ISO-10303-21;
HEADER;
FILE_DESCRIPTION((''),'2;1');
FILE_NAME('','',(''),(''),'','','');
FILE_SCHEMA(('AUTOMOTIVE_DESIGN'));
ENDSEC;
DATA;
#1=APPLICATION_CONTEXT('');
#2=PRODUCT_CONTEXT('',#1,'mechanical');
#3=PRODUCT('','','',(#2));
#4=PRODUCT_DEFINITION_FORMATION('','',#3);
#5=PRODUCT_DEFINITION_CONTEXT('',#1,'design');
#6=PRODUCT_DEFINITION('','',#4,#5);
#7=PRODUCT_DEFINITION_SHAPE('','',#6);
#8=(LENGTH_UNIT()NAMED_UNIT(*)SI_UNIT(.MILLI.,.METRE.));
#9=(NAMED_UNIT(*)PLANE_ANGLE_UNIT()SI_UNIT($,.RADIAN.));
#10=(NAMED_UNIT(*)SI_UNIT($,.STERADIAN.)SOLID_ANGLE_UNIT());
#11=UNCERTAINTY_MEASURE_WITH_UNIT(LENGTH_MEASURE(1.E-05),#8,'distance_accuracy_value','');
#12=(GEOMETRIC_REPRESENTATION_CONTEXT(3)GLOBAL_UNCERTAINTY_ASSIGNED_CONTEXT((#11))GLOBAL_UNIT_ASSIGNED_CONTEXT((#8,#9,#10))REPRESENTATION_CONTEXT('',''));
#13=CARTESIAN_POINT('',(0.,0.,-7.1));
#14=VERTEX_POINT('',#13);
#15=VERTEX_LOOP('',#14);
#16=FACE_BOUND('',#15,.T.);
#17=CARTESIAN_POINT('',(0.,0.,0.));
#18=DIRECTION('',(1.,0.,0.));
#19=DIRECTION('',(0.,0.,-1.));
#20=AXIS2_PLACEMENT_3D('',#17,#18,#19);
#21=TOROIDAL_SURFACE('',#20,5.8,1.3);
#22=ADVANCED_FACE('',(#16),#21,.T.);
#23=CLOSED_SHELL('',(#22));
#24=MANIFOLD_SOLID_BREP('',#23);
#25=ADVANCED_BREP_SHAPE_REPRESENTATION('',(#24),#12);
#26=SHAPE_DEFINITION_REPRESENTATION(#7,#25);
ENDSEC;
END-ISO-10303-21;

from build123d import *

# Parameters (mm, degrees)
SKIZZE1_R = 1.3


with BuildPart() as part:
    # Skizze1 → Rotation1 (revolve)
    with BuildSketch(Plane.XY):
        with Locations((0, 5.8)):
            Circle(SKIZZE1_R)
    revolve(axis=Axis((-5.518776228, 0, 0), (-1, 0, 0)))


solid = part.part
